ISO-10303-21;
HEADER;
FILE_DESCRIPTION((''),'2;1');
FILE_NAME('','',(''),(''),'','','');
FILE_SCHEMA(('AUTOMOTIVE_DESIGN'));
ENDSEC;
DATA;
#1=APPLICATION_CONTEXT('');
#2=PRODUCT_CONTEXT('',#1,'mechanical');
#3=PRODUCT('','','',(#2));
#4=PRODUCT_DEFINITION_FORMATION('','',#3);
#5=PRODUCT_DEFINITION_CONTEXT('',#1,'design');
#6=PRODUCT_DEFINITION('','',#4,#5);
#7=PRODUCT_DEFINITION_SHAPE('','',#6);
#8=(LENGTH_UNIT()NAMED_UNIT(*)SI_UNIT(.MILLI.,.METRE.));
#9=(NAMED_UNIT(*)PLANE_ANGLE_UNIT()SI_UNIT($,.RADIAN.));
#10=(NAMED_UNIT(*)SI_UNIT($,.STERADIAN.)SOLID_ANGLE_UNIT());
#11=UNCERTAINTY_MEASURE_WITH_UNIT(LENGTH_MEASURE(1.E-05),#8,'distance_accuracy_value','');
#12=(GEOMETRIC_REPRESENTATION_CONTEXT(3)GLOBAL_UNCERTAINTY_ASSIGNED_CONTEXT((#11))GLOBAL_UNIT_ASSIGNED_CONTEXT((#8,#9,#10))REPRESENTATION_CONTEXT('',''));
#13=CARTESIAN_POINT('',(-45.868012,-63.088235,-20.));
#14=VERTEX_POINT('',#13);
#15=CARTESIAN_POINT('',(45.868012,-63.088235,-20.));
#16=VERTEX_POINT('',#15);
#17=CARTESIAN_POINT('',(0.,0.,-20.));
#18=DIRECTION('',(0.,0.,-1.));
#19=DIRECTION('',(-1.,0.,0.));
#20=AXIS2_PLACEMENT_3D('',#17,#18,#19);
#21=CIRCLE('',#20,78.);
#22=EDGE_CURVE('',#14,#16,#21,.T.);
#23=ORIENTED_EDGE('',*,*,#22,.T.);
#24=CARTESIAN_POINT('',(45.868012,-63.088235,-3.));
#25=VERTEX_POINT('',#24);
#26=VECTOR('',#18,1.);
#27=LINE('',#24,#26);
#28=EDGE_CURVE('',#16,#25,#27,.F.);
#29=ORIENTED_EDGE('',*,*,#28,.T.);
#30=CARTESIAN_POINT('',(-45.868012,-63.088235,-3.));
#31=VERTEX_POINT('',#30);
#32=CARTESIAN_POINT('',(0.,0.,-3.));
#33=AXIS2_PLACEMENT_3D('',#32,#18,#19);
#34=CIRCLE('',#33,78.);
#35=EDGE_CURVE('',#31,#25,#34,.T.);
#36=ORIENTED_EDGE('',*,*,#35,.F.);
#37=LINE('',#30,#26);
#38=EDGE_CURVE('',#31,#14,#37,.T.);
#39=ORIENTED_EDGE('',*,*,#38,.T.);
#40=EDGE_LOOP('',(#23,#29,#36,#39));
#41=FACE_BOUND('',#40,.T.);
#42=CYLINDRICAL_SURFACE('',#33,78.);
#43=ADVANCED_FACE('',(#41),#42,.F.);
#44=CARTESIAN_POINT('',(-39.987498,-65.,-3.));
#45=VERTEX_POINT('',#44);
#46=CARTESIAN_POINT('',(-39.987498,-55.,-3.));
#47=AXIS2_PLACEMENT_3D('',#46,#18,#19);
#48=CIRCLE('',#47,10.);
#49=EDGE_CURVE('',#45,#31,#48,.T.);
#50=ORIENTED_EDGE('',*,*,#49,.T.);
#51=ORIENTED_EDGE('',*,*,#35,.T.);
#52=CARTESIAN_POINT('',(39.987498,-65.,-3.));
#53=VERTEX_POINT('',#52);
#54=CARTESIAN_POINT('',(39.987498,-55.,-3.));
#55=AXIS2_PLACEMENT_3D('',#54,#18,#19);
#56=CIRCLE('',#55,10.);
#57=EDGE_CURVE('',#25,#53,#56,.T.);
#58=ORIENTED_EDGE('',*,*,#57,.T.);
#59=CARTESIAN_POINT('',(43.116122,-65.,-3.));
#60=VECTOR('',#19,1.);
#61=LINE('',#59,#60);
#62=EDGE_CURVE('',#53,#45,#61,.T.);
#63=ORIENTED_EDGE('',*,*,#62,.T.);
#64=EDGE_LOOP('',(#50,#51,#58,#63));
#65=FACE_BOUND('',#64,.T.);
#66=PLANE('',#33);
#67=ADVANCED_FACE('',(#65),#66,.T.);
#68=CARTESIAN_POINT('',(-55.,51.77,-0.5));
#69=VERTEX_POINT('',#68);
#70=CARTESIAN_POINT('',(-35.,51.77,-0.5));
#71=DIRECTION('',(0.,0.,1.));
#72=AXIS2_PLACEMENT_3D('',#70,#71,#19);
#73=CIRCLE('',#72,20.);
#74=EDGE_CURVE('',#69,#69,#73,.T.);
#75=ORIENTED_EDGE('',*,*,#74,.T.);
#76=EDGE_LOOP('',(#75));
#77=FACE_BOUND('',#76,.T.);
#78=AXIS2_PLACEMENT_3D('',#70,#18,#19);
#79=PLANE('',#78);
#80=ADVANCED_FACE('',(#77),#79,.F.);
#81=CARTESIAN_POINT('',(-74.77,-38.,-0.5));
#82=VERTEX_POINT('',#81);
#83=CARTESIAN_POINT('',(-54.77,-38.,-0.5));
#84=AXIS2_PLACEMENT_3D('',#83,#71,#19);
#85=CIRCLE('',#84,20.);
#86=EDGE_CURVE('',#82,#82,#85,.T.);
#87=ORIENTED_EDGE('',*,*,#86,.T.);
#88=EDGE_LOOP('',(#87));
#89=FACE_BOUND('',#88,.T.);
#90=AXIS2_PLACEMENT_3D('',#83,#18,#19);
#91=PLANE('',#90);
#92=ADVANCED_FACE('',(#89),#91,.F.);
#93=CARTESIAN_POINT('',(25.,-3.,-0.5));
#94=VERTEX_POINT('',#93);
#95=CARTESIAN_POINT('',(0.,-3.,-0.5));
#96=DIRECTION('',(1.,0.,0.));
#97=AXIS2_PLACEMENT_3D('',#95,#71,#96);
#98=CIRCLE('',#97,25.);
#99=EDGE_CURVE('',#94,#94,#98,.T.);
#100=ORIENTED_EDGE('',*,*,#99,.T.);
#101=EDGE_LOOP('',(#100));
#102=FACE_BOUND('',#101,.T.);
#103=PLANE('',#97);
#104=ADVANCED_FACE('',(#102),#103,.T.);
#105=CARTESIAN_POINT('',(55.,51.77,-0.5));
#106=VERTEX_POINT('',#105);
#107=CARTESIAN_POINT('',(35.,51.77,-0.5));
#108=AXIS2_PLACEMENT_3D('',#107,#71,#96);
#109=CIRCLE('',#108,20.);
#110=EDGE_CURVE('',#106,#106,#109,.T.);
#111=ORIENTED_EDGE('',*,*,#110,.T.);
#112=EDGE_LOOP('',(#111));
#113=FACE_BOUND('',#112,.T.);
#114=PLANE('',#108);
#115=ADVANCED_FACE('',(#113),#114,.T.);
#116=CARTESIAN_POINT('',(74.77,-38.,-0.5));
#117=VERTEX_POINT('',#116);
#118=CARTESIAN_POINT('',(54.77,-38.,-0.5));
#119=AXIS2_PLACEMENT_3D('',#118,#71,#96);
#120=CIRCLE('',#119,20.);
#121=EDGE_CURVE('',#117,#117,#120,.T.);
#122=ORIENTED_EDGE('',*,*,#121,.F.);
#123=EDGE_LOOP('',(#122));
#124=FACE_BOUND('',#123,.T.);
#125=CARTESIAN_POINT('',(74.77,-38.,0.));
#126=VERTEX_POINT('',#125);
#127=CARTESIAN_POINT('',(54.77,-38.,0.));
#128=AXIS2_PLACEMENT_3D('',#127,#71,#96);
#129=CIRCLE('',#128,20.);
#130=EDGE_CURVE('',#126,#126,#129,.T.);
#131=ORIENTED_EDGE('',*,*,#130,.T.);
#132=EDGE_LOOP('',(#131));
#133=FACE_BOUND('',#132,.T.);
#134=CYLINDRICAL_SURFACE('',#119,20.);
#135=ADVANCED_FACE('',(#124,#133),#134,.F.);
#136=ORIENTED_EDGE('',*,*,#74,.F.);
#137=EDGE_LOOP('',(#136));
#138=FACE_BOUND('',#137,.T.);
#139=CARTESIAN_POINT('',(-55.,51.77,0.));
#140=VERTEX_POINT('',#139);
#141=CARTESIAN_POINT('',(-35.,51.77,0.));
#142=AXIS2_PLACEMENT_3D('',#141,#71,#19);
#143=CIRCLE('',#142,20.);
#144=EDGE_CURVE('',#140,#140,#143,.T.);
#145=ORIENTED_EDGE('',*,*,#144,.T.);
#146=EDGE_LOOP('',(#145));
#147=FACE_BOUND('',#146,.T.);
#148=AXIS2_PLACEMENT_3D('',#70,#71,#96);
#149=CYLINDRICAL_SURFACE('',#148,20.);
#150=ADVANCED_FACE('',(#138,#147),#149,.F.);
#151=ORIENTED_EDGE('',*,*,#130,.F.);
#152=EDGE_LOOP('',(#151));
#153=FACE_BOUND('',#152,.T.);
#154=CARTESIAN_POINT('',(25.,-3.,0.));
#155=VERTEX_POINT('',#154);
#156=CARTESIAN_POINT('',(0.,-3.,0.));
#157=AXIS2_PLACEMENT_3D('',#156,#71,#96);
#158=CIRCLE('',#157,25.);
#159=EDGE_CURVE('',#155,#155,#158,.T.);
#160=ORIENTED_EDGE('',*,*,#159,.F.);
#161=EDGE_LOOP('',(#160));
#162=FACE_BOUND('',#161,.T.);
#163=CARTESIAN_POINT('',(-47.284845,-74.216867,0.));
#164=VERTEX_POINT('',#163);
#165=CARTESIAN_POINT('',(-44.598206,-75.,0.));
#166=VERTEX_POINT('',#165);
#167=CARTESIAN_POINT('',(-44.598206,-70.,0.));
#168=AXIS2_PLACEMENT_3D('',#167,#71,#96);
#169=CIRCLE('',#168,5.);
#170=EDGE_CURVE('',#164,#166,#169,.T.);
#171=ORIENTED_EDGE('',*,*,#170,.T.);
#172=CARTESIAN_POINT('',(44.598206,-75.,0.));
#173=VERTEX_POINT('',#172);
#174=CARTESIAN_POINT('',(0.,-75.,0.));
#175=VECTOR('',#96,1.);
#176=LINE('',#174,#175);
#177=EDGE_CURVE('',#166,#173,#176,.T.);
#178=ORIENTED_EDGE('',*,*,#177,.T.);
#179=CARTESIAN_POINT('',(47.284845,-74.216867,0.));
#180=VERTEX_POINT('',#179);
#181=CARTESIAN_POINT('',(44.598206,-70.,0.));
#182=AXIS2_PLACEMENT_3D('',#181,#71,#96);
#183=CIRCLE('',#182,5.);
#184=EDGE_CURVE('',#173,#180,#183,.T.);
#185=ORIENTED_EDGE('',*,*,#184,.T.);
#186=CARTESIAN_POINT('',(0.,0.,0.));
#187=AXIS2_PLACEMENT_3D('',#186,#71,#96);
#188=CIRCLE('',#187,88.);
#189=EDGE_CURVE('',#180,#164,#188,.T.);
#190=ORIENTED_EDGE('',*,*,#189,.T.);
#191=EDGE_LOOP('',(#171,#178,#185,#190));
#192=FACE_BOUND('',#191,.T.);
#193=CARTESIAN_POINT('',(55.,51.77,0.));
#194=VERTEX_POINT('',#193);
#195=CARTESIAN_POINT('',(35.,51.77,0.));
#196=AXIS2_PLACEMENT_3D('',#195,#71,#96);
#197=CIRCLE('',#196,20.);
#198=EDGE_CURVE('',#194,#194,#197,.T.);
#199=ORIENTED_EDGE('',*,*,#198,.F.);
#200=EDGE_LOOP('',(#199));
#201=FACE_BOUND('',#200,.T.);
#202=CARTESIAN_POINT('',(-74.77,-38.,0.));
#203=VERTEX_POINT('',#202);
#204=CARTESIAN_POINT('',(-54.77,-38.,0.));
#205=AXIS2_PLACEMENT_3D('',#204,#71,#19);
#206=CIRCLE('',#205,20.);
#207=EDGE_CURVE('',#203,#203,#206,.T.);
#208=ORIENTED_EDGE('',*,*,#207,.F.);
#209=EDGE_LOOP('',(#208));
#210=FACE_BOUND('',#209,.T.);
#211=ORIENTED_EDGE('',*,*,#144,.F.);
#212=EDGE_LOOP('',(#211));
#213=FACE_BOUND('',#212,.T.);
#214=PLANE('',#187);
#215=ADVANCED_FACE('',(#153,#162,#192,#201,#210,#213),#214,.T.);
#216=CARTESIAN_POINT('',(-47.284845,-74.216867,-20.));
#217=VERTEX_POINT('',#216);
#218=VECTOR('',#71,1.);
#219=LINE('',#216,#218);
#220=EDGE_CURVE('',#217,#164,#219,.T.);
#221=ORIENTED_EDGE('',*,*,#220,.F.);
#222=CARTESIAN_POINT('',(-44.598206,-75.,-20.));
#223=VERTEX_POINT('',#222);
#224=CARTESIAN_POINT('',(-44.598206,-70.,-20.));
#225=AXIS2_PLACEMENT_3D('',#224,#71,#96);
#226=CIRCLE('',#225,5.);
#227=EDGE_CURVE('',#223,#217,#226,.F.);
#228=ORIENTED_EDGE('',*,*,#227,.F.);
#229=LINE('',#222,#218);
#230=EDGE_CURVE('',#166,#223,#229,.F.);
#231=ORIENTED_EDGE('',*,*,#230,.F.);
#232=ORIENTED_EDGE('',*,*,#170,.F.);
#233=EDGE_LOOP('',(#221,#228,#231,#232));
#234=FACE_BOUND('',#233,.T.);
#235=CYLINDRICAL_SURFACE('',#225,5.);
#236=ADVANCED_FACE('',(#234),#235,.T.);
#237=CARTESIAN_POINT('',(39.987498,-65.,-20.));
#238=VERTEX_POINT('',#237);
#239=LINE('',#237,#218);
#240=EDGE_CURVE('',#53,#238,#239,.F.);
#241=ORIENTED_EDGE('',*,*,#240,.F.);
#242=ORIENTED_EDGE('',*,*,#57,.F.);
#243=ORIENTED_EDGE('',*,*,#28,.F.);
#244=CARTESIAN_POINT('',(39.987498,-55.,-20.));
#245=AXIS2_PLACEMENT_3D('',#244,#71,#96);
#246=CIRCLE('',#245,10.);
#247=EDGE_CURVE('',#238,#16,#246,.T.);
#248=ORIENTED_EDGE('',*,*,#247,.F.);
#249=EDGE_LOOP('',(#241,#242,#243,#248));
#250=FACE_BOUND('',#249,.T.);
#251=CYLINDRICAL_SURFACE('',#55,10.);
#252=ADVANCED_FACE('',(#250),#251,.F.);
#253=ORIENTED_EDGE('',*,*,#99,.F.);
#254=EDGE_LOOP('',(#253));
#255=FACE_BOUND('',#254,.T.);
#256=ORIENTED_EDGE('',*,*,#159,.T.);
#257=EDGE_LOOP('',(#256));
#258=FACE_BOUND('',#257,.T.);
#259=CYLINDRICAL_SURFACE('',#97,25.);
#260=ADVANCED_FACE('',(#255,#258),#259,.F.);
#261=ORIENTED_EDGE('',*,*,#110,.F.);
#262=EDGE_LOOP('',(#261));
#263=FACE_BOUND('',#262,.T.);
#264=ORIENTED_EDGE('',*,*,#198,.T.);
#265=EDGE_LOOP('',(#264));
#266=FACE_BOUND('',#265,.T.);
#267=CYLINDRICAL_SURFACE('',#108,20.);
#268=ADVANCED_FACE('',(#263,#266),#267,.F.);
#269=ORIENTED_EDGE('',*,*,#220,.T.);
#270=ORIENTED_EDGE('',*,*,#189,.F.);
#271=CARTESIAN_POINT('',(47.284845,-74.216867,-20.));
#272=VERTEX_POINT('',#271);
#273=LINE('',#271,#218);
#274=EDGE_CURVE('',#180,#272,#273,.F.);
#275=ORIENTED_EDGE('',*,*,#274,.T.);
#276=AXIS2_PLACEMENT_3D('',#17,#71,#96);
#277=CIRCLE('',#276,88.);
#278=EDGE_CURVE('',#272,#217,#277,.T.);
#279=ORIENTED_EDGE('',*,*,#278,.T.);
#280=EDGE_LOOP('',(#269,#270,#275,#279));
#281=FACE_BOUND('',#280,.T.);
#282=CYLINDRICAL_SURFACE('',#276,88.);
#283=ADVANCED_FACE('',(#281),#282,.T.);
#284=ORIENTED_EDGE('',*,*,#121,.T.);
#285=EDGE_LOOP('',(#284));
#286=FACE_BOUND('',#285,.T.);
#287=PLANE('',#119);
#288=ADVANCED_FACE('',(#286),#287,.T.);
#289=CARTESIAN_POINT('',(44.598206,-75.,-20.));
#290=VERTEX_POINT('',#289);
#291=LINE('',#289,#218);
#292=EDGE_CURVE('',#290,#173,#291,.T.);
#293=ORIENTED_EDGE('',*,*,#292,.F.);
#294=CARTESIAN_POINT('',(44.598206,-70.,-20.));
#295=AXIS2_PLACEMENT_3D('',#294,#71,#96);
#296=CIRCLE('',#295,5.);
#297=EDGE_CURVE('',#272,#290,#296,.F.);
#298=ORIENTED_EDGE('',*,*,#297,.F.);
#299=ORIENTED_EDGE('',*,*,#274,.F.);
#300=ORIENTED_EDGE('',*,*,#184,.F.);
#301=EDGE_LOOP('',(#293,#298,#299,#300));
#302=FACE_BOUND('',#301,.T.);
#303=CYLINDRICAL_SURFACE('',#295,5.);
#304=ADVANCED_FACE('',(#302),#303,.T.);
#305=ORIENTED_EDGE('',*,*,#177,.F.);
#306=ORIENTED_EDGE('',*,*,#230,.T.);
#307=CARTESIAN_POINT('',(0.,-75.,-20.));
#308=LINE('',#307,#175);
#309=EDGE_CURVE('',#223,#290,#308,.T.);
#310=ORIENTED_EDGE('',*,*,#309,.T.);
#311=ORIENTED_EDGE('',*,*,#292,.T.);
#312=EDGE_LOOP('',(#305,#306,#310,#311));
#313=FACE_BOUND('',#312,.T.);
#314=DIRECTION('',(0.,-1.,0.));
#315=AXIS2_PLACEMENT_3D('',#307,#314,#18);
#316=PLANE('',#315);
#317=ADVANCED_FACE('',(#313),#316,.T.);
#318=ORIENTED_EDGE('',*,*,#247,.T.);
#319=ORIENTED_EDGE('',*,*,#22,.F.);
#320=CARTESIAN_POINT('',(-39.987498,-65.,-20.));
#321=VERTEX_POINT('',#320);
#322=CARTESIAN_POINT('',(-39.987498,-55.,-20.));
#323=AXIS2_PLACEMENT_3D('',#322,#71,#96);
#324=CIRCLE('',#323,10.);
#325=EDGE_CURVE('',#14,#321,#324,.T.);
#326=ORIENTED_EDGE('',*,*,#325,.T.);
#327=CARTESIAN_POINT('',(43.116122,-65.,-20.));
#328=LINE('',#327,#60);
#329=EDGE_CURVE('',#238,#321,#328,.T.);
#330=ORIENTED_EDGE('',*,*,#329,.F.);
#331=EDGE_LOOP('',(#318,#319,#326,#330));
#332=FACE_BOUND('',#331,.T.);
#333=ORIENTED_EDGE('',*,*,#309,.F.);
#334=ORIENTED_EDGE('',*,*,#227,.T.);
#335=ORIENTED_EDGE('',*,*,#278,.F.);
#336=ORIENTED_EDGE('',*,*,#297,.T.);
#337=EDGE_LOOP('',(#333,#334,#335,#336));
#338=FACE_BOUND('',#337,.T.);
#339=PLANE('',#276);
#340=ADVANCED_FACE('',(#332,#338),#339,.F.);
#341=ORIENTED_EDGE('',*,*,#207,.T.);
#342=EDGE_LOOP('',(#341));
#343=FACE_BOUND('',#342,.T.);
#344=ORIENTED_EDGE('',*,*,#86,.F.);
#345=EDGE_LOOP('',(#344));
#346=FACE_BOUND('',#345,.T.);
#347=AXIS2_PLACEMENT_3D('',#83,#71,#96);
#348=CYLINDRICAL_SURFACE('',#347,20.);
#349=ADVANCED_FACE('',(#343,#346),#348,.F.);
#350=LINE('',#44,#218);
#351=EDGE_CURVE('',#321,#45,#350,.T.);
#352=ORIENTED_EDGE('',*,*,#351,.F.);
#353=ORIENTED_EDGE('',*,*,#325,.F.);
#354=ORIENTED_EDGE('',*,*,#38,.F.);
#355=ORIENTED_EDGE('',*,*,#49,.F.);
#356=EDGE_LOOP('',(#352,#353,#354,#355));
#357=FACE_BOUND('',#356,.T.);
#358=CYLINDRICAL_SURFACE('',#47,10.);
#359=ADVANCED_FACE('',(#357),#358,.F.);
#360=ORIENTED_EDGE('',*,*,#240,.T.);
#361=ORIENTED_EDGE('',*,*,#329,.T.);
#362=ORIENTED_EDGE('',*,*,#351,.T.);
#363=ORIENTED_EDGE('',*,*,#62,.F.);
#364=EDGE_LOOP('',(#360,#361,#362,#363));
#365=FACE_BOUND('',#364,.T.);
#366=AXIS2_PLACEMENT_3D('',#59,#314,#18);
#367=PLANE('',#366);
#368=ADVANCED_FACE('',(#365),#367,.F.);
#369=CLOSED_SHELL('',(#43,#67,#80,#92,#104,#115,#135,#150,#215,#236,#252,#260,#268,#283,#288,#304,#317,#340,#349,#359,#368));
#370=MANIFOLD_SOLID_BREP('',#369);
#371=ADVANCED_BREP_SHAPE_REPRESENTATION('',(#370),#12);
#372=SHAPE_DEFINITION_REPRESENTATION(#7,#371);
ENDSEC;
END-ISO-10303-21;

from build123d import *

# Parameters (mm, degrees)
BOSS_EXTRUDE1_DEPTH = 20
CUT_EXTRUDE1_DEPTH  = 17
SKETCH4_R           = 25
SKETCH4_R_2         = 20
CUT_EXTRUDE2_DEPTH  = 0.5
FILLET1_R           = 10
FILLET2_R           = 5


with BuildPart() as part:
    # Sketch2 → Boss-Extrude1 (new body)
    with BuildSketch(Plane.XY):
        with BuildLine():
            ThreePointArc((88, 0), (-42.971685161, 76.794754212), (-46.032597146, -75))
            Line((-46.032597146, -75), (46.032597146, -75))
            ThreePointArc((46.032597146, -75), (76.794754212, -42.971685161), (88, 0))
        make_face()
    extrude(amount=-BOSS_EXTRUDE1_DEPTH)

    # Sketch3 → Cut-Extrude1 (cut)
    with BuildSketch(Plane(origin=(0, 0, -20), x_dir=(-1, 0, 0), z_dir=(0, 0, -1))):
        with BuildLine():
            Line((-43.116122275, -65), (43.116122275, -65))
            ThreePointArc((43.116122275, -65), (0, 78), (-43.116122275, -65))
        make_face()
    extrude(amount=-CUT_EXTRUDE1_DEPTH, mode=Mode.SUBTRACT)

    # Sketch4 → Cut-Extrude2 (cut)
    with BuildSketch(Plane.XY):
        with Locations((0, -3)):
            Circle(SKETCH4_R)
        with Locations(Location((-54.77, -38, 0), (0, 0, 180))):
            Circle(SKETCH4_R_2)
        with Locations((35, 51.77)):
            Circle(SKETCH4_R_2)
        with Locations((54.77, -38)):
            Circle(SKETCH4_R_2)
        with Locations(Location((-35, 51.77, 0), (0, 0, 180))):
            Circle(SKETCH4_R_2)
    extrude(amount=-CUT_EXTRUDE2_DEPTH, mode=Mode.SUBTRACT)

    # Fillet1
    fillet1_edges = [part.edges().sort_by_distance(p)[0] for p in [
        (43.116122275, -65, -11.5),
        (-43.116122275, -65, -11.5),
    ]]
    fillet(fillet1_edges, radius=FILLET1_R)

    # Fillet2
    fillet2_edges = [part.edges().sort_by_distance(p)[0] for p in [
        (-46.032597146, -75, -10),
        (46.032597146, -75, -10),
    ]]
    fillet(fillet2_edges, radius=FILLET2_R)


solid = part.part
